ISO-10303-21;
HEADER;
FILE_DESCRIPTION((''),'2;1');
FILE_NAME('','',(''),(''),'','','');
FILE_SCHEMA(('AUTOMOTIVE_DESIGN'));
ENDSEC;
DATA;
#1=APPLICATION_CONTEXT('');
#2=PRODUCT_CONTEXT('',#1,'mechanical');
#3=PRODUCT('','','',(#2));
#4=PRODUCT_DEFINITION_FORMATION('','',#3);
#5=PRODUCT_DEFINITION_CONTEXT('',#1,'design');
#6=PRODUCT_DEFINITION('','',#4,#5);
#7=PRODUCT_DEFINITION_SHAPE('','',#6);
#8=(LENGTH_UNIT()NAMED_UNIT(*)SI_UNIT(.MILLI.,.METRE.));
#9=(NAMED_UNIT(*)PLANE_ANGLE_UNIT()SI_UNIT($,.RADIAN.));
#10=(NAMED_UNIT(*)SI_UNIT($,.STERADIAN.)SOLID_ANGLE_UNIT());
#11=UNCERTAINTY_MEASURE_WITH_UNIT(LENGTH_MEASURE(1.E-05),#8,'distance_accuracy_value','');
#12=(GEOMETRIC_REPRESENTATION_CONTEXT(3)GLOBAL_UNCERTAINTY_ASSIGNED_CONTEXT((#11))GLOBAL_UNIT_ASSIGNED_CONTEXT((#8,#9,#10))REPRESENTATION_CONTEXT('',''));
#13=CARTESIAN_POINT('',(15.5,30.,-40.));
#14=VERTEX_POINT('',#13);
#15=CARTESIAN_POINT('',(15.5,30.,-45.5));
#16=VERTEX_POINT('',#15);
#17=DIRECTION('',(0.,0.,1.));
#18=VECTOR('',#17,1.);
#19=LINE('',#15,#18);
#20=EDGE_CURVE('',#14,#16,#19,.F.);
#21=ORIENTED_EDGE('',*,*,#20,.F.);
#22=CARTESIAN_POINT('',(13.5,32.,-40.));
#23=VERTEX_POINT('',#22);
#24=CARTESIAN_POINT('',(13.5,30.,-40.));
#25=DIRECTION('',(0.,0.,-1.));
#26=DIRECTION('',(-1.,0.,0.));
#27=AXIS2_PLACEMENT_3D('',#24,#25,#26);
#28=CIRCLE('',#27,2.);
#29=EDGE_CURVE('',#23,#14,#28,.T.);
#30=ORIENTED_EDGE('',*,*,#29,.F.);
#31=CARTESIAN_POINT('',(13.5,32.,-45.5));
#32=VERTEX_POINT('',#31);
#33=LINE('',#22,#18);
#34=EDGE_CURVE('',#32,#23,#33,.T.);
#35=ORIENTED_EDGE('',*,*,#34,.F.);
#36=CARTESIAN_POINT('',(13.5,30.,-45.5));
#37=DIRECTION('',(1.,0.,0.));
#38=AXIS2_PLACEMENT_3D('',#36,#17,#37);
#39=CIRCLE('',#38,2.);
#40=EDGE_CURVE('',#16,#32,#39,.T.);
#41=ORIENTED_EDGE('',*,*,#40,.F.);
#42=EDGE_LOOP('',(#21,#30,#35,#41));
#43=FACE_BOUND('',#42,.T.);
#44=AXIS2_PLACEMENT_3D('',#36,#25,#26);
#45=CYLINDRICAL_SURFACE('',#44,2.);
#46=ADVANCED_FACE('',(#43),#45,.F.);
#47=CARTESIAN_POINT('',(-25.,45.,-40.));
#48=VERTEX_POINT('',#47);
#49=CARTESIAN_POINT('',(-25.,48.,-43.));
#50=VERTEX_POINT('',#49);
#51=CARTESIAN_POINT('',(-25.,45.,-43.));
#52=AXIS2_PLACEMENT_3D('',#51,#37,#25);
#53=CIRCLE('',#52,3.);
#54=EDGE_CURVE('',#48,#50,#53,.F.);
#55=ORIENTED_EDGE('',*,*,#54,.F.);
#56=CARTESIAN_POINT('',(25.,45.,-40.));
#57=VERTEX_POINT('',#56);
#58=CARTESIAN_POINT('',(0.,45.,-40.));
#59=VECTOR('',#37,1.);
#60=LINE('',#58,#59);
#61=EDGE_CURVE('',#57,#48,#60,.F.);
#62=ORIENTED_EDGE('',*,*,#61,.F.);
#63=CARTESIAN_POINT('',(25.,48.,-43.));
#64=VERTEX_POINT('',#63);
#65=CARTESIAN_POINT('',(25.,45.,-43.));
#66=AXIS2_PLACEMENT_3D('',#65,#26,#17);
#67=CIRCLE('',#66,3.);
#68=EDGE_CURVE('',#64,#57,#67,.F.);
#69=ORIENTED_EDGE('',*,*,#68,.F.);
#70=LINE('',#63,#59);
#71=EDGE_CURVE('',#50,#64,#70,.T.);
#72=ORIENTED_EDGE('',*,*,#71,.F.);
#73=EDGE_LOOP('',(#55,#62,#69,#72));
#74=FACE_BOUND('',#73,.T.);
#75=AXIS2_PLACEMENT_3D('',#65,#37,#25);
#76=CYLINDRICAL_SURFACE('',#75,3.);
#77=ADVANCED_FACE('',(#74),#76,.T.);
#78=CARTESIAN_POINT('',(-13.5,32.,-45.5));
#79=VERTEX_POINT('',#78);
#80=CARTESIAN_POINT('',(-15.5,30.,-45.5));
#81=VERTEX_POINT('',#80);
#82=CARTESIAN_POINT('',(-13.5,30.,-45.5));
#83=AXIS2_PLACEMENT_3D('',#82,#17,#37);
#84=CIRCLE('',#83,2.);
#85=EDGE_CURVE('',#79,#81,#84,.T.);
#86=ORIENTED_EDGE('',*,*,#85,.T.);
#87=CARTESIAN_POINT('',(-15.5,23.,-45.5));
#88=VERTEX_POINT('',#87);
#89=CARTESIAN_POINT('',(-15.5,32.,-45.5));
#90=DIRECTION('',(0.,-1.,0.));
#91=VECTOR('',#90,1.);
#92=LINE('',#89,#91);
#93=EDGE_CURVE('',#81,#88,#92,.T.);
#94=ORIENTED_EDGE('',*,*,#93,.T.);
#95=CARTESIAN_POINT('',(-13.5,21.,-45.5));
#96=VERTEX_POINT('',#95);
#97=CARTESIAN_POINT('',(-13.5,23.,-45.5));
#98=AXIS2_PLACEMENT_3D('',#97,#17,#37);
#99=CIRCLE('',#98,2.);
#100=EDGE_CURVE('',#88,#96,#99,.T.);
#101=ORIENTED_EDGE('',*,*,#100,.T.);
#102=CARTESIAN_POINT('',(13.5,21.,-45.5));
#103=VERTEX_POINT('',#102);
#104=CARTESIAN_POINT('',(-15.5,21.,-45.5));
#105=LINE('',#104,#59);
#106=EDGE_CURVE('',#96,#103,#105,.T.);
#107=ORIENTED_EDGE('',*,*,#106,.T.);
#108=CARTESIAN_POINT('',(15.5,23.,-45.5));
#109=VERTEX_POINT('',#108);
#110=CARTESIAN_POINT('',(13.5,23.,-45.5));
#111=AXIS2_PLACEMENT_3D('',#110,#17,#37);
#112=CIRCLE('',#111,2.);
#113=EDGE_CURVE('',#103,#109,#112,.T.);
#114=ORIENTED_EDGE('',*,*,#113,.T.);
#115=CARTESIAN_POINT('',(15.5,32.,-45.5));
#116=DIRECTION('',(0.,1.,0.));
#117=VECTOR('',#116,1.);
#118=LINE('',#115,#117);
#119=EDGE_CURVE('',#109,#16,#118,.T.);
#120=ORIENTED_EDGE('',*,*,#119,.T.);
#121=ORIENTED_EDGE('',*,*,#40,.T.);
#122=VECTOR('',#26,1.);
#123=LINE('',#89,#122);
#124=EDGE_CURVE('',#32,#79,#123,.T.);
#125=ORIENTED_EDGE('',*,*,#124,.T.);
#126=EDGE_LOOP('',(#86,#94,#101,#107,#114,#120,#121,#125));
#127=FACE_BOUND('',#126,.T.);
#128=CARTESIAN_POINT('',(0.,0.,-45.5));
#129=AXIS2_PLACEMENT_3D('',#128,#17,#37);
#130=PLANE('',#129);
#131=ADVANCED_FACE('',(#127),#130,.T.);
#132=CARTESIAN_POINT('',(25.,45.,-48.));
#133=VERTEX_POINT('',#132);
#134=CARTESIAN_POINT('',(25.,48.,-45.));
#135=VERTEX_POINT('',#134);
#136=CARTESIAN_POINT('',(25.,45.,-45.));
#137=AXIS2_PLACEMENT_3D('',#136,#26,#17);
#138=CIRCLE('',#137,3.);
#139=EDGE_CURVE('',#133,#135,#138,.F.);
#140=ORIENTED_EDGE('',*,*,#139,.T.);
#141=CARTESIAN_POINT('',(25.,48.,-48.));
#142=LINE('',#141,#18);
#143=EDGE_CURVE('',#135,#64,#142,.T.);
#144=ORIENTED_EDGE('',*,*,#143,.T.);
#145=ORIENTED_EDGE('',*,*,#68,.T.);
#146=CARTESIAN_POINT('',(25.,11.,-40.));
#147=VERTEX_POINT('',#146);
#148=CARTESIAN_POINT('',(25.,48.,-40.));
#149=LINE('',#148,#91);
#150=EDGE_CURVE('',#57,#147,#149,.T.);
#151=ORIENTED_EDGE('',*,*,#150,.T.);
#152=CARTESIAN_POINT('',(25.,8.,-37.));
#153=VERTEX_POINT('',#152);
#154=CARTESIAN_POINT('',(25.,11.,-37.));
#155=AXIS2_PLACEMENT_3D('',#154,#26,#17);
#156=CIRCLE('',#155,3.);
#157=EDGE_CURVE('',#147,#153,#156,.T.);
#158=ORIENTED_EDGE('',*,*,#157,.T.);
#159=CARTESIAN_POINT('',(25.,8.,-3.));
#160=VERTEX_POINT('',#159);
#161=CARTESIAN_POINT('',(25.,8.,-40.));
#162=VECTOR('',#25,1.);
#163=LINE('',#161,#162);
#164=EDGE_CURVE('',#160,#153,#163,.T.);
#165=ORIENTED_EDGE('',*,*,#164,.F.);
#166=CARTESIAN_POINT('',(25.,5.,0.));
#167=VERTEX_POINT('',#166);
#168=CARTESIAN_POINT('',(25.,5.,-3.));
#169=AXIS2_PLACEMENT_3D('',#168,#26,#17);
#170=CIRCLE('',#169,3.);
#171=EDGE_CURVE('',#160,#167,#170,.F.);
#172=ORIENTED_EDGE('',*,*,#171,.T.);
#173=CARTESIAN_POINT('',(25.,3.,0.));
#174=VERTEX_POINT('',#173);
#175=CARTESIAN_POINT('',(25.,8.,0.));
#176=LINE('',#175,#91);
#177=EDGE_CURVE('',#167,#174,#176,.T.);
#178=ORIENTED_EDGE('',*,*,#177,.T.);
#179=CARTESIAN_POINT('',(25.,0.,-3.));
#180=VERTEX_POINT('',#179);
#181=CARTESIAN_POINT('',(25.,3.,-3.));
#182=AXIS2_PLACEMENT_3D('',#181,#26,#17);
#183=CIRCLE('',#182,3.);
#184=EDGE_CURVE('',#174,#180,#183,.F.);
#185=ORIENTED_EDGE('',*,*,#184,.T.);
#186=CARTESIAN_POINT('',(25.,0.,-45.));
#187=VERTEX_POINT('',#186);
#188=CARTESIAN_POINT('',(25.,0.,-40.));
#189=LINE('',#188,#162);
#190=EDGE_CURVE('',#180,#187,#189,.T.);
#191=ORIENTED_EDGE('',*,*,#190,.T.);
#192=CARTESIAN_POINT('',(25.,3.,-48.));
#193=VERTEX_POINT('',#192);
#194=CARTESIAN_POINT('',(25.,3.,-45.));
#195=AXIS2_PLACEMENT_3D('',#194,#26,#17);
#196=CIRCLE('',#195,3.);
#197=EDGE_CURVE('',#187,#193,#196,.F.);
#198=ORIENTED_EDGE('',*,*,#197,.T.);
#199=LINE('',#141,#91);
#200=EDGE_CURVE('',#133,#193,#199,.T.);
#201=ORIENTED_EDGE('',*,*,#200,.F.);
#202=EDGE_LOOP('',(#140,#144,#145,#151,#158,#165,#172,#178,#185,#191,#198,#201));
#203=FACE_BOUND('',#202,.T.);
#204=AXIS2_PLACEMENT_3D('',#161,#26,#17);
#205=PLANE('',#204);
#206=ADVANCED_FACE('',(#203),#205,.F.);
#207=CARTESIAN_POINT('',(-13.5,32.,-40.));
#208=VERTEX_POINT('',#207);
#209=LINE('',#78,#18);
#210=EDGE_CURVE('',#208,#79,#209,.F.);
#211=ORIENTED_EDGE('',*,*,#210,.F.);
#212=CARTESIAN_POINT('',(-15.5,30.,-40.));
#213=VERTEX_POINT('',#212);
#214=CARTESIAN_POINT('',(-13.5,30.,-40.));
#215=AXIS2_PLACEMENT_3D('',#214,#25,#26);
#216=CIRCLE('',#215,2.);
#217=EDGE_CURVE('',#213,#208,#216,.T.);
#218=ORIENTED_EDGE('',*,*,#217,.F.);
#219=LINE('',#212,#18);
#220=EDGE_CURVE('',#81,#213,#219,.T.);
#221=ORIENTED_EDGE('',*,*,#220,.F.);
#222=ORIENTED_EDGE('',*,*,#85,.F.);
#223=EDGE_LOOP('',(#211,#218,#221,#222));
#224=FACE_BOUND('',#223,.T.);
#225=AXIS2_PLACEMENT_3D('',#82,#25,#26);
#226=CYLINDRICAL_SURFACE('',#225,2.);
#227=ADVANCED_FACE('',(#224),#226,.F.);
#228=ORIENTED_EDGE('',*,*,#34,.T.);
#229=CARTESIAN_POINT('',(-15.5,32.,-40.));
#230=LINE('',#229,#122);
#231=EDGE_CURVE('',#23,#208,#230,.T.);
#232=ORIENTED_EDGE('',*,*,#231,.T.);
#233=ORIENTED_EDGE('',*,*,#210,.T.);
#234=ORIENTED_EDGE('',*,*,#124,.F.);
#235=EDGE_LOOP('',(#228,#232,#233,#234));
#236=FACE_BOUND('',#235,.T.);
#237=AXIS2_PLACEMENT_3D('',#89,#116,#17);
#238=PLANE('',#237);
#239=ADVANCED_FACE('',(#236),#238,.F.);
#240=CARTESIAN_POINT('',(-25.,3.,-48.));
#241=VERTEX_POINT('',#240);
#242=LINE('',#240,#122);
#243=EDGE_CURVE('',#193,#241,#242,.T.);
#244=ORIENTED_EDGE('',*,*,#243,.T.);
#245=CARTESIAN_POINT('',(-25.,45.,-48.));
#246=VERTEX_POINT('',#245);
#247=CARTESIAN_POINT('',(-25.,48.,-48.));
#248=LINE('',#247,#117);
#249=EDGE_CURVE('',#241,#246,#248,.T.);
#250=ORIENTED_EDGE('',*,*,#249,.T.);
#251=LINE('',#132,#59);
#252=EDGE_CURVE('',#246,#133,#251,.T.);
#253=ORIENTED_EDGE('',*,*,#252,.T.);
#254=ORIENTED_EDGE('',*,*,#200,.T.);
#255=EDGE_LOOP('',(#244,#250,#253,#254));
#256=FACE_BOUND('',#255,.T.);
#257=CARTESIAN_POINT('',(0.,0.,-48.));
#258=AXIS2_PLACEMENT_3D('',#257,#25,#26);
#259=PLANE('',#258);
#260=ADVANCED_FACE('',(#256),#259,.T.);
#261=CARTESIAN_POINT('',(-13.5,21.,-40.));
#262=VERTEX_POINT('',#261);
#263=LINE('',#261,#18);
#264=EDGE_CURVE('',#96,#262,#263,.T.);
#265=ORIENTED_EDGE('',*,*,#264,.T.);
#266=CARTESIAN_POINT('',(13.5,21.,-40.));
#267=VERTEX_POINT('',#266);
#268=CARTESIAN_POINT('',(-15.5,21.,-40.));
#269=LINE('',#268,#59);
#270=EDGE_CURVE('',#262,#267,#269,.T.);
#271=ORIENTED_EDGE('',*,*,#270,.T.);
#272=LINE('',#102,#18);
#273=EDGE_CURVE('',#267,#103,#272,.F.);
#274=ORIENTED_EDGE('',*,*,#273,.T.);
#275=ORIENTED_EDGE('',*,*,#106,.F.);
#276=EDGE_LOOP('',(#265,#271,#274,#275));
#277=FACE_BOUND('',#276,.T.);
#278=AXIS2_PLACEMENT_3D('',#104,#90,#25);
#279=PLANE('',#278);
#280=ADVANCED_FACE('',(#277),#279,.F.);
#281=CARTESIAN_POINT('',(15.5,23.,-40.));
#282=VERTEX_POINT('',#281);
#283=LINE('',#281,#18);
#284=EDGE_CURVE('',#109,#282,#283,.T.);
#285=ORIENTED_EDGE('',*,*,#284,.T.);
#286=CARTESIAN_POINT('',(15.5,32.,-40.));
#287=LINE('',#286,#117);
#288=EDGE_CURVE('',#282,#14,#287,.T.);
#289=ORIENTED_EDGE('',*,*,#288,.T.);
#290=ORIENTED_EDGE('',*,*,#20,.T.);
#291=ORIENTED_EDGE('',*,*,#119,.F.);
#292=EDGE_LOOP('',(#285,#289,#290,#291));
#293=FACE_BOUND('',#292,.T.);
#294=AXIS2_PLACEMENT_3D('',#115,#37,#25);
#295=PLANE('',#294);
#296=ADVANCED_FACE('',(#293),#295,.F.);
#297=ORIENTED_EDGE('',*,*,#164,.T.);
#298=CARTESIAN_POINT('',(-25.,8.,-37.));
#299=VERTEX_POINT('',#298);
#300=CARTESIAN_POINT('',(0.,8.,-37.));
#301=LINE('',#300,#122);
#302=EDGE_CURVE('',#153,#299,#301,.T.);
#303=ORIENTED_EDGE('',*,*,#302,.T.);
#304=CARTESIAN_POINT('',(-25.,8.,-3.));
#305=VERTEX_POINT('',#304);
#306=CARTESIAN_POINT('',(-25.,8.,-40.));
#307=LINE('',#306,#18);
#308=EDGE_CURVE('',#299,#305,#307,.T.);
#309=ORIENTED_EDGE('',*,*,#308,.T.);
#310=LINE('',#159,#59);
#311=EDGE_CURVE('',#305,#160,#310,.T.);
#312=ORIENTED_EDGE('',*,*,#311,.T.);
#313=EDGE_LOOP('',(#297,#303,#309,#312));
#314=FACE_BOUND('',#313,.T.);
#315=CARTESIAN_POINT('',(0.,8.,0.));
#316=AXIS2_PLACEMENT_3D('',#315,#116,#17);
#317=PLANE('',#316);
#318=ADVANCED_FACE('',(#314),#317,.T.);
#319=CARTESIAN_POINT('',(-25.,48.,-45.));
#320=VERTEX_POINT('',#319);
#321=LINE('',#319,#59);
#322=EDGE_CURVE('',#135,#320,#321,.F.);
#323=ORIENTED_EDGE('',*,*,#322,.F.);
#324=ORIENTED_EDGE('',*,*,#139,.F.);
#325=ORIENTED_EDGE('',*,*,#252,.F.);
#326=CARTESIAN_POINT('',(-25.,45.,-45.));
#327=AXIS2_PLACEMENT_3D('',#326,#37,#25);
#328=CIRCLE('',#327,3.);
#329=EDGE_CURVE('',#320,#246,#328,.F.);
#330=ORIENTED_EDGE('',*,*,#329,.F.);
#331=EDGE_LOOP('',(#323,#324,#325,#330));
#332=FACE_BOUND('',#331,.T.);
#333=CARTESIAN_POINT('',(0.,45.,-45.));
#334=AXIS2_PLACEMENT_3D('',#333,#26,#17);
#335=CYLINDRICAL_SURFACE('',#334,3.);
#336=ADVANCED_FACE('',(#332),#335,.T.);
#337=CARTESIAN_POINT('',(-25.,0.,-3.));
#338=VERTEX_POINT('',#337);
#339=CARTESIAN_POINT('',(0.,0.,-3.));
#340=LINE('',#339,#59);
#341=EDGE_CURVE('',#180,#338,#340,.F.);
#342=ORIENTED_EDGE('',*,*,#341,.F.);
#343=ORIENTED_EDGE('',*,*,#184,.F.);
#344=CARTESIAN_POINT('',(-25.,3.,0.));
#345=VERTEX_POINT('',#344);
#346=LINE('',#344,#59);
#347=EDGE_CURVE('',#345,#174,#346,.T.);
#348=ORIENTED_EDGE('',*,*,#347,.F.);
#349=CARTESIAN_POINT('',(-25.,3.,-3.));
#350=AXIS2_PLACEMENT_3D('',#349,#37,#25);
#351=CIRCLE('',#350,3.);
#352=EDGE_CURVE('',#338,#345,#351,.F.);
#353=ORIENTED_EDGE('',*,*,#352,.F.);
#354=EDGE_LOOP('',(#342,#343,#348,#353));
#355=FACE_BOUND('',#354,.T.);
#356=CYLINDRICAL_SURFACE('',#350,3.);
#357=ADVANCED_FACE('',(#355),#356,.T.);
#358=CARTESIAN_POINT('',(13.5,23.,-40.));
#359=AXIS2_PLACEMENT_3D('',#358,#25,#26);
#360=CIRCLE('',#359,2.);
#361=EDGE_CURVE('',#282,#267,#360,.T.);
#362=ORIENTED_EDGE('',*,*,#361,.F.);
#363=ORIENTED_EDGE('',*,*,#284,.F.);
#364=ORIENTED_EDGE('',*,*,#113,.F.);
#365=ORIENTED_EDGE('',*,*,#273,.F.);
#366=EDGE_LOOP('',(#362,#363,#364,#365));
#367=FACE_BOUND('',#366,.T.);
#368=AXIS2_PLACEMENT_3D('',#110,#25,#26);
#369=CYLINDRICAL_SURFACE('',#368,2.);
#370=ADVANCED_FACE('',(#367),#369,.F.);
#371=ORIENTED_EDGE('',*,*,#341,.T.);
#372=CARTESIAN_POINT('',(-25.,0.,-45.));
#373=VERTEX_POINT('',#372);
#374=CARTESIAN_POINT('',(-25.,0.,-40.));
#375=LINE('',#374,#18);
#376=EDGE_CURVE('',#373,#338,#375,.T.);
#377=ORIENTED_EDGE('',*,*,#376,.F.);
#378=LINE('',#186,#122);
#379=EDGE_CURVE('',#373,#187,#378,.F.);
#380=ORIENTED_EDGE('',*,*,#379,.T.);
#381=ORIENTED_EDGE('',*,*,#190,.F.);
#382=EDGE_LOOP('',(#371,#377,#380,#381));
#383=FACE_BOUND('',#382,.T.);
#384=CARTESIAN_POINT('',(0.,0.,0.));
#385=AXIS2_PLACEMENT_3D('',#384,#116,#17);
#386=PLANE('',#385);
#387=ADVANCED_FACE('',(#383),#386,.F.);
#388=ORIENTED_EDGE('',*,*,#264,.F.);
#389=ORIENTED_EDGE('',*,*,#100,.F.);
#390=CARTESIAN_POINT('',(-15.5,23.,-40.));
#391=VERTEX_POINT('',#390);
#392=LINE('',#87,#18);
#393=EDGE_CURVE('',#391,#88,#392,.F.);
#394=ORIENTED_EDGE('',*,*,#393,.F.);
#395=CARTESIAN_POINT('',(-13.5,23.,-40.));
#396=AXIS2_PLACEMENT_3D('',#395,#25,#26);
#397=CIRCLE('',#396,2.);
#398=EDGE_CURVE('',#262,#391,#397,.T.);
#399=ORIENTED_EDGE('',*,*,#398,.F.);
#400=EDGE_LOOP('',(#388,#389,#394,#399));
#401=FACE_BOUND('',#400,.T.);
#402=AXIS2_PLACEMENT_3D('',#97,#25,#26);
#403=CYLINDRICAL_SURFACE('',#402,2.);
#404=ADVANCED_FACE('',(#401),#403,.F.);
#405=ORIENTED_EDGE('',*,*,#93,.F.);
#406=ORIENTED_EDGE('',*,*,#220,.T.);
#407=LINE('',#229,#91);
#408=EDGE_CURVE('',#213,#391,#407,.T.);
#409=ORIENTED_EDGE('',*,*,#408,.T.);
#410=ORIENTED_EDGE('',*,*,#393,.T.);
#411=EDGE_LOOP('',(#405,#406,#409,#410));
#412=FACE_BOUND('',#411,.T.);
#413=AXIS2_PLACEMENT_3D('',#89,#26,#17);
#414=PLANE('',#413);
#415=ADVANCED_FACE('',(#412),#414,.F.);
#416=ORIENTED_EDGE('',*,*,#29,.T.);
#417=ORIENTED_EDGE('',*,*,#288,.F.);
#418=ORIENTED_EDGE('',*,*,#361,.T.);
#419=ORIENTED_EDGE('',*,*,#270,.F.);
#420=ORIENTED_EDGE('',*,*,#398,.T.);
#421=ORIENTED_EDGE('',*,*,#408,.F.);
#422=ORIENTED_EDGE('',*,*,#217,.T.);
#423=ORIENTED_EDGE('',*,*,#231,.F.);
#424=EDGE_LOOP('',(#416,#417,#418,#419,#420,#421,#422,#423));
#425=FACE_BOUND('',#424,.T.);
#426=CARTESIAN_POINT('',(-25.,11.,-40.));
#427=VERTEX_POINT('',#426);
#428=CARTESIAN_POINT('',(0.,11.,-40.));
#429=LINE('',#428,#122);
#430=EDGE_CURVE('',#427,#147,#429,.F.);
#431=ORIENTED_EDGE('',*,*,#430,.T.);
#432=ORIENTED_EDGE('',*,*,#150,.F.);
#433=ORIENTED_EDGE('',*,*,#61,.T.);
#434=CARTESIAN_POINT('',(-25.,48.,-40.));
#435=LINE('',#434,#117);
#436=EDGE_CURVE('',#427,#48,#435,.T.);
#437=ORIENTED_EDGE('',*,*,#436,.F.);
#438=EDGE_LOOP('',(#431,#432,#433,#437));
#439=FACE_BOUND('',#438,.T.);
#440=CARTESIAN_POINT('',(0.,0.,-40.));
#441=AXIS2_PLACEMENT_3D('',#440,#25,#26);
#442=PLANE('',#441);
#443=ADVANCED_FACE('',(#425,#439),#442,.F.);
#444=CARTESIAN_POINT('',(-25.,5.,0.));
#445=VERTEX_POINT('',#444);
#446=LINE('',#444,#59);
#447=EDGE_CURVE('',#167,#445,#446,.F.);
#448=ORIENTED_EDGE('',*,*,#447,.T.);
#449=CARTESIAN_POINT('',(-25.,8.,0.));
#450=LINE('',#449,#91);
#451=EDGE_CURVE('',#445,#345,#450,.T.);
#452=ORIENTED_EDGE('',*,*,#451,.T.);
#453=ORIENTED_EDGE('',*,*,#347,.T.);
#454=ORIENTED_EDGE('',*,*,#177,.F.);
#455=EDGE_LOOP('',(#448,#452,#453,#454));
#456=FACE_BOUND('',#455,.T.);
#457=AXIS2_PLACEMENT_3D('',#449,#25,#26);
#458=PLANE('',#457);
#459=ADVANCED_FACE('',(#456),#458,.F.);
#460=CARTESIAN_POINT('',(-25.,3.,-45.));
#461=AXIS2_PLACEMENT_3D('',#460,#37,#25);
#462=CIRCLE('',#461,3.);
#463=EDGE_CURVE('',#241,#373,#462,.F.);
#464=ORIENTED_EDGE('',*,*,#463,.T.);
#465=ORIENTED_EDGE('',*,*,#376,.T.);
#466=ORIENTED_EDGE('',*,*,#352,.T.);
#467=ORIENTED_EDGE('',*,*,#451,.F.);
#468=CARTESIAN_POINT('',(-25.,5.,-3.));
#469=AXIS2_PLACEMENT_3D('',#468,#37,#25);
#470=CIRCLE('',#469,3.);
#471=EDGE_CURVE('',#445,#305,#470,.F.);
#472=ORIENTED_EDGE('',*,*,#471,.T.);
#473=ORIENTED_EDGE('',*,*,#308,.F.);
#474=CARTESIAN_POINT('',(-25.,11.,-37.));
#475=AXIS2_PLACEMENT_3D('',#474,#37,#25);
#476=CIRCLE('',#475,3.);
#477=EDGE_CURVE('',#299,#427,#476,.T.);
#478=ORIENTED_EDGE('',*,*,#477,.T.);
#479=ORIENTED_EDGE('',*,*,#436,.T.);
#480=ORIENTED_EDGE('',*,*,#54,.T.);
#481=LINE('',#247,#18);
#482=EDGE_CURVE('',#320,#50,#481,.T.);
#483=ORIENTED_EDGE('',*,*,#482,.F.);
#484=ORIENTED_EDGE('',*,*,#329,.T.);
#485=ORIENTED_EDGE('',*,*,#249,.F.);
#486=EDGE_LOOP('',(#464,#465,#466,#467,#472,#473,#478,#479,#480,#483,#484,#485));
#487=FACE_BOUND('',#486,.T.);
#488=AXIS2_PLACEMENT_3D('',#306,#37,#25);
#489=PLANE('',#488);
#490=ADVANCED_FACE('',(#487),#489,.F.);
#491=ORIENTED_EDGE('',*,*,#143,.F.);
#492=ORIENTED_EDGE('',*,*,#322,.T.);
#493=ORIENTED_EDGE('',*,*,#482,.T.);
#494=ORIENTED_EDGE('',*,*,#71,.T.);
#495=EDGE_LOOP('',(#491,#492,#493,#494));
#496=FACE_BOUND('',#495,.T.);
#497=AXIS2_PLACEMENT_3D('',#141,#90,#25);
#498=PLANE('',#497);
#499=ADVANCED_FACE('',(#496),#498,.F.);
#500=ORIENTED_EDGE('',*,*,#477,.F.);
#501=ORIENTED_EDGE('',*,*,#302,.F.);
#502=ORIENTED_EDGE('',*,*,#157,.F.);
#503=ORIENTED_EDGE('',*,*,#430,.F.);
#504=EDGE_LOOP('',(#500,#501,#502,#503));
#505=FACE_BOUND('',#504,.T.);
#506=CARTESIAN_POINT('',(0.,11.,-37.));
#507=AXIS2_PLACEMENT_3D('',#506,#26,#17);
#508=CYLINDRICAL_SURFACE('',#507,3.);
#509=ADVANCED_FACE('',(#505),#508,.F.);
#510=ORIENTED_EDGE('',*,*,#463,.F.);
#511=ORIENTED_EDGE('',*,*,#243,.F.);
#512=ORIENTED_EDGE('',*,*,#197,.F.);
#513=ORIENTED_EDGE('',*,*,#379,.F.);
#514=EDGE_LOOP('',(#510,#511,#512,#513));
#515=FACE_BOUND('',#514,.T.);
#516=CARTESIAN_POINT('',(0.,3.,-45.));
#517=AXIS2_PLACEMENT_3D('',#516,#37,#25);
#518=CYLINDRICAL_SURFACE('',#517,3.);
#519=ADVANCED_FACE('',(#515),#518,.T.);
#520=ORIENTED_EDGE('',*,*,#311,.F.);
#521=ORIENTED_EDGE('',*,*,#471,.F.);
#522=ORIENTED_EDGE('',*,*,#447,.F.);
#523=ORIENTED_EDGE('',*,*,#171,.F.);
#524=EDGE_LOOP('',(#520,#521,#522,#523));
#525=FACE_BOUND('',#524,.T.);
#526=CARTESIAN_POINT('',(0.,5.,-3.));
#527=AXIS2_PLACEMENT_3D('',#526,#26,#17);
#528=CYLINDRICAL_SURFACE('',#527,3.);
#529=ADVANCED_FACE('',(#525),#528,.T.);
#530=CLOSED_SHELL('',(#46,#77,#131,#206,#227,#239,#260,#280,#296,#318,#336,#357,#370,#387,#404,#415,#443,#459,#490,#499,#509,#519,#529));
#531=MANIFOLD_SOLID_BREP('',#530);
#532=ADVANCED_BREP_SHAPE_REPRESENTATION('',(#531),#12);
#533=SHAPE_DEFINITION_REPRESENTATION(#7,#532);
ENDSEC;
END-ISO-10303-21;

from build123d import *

# Parameters (mm, degrees)
SKETCH1_W           = 50
SKETCH1_H           = 40
BOSS_EXTRUDE1_DEPTH = 8
SKETCH2_W           = 50
SKETCH2_H           = 48
BOSS_EXTRUDE2_DEPTH = 8
SKETCH3_W           = 31
SKETCH3_H           = 11
CUT_EXTRUDE1_DEPTH  = 5.5
FILLET1_R           = 2
FILLET2_R           = 3


with BuildPart() as part:
    # Sketch1 → Boss-Extrude1 (new body)
    with BuildSketch(Plane(origin=(0, 0, 0), x_dir=(1, 0, 0), z_dir=(0, 1, 0))):
        with Locations((0, 20)):
            Rectangle(SKETCH1_W, SKETCH1_H)
    extrude(amount=BOSS_EXTRUDE1_DEPTH)

    # Sketch2 → Boss-Extrude2 (add)
    with BuildSketch(Plane(origin=(0, 0, -40), x_dir=(-1, 0, 0), z_dir=(0, 0, -1))):
        with Locations((0, 24)):
            Rectangle(SKETCH2_W, SKETCH2_H)
    extrude(amount=BOSS_EXTRUDE2_DEPTH)

    # Sketch3 → Cut-Extrude1 (cut)
    with BuildSketch(Plane.XY.offset(-40)):
        with Locations((0, 26.5)):
            Rectangle(SKETCH3_W, SKETCH3_H)
    extrude(amount=-CUT_EXTRUDE1_DEPTH, mode=Mode.SUBTRACT)

    # Fillet1
    fillet1_edges = [part.edges().sort_by_distance(p)[0] for p in [
        (-15.5, 21, -42.75),
        (-15.5, 32, -42.75),
        (15.5, 32, -42.75),
        (15.5, 21, -42.75),
    ]]
    fillet(fillet1_edges, radius=FILLET1_R)

    # Fillet2
    fillet2_edges = [part.edges().sort_by_distance(p)[0] for p in [
        (0, 48, -40),
        (0, 0, -48),
        (0, 8, -40),
        (0, 48, -48),
        (0, 0, 0),
        (0, 8, 0),
    ]]
    fillet(fillet2_edges, radius=FILLET2_R)


solid = part.part
